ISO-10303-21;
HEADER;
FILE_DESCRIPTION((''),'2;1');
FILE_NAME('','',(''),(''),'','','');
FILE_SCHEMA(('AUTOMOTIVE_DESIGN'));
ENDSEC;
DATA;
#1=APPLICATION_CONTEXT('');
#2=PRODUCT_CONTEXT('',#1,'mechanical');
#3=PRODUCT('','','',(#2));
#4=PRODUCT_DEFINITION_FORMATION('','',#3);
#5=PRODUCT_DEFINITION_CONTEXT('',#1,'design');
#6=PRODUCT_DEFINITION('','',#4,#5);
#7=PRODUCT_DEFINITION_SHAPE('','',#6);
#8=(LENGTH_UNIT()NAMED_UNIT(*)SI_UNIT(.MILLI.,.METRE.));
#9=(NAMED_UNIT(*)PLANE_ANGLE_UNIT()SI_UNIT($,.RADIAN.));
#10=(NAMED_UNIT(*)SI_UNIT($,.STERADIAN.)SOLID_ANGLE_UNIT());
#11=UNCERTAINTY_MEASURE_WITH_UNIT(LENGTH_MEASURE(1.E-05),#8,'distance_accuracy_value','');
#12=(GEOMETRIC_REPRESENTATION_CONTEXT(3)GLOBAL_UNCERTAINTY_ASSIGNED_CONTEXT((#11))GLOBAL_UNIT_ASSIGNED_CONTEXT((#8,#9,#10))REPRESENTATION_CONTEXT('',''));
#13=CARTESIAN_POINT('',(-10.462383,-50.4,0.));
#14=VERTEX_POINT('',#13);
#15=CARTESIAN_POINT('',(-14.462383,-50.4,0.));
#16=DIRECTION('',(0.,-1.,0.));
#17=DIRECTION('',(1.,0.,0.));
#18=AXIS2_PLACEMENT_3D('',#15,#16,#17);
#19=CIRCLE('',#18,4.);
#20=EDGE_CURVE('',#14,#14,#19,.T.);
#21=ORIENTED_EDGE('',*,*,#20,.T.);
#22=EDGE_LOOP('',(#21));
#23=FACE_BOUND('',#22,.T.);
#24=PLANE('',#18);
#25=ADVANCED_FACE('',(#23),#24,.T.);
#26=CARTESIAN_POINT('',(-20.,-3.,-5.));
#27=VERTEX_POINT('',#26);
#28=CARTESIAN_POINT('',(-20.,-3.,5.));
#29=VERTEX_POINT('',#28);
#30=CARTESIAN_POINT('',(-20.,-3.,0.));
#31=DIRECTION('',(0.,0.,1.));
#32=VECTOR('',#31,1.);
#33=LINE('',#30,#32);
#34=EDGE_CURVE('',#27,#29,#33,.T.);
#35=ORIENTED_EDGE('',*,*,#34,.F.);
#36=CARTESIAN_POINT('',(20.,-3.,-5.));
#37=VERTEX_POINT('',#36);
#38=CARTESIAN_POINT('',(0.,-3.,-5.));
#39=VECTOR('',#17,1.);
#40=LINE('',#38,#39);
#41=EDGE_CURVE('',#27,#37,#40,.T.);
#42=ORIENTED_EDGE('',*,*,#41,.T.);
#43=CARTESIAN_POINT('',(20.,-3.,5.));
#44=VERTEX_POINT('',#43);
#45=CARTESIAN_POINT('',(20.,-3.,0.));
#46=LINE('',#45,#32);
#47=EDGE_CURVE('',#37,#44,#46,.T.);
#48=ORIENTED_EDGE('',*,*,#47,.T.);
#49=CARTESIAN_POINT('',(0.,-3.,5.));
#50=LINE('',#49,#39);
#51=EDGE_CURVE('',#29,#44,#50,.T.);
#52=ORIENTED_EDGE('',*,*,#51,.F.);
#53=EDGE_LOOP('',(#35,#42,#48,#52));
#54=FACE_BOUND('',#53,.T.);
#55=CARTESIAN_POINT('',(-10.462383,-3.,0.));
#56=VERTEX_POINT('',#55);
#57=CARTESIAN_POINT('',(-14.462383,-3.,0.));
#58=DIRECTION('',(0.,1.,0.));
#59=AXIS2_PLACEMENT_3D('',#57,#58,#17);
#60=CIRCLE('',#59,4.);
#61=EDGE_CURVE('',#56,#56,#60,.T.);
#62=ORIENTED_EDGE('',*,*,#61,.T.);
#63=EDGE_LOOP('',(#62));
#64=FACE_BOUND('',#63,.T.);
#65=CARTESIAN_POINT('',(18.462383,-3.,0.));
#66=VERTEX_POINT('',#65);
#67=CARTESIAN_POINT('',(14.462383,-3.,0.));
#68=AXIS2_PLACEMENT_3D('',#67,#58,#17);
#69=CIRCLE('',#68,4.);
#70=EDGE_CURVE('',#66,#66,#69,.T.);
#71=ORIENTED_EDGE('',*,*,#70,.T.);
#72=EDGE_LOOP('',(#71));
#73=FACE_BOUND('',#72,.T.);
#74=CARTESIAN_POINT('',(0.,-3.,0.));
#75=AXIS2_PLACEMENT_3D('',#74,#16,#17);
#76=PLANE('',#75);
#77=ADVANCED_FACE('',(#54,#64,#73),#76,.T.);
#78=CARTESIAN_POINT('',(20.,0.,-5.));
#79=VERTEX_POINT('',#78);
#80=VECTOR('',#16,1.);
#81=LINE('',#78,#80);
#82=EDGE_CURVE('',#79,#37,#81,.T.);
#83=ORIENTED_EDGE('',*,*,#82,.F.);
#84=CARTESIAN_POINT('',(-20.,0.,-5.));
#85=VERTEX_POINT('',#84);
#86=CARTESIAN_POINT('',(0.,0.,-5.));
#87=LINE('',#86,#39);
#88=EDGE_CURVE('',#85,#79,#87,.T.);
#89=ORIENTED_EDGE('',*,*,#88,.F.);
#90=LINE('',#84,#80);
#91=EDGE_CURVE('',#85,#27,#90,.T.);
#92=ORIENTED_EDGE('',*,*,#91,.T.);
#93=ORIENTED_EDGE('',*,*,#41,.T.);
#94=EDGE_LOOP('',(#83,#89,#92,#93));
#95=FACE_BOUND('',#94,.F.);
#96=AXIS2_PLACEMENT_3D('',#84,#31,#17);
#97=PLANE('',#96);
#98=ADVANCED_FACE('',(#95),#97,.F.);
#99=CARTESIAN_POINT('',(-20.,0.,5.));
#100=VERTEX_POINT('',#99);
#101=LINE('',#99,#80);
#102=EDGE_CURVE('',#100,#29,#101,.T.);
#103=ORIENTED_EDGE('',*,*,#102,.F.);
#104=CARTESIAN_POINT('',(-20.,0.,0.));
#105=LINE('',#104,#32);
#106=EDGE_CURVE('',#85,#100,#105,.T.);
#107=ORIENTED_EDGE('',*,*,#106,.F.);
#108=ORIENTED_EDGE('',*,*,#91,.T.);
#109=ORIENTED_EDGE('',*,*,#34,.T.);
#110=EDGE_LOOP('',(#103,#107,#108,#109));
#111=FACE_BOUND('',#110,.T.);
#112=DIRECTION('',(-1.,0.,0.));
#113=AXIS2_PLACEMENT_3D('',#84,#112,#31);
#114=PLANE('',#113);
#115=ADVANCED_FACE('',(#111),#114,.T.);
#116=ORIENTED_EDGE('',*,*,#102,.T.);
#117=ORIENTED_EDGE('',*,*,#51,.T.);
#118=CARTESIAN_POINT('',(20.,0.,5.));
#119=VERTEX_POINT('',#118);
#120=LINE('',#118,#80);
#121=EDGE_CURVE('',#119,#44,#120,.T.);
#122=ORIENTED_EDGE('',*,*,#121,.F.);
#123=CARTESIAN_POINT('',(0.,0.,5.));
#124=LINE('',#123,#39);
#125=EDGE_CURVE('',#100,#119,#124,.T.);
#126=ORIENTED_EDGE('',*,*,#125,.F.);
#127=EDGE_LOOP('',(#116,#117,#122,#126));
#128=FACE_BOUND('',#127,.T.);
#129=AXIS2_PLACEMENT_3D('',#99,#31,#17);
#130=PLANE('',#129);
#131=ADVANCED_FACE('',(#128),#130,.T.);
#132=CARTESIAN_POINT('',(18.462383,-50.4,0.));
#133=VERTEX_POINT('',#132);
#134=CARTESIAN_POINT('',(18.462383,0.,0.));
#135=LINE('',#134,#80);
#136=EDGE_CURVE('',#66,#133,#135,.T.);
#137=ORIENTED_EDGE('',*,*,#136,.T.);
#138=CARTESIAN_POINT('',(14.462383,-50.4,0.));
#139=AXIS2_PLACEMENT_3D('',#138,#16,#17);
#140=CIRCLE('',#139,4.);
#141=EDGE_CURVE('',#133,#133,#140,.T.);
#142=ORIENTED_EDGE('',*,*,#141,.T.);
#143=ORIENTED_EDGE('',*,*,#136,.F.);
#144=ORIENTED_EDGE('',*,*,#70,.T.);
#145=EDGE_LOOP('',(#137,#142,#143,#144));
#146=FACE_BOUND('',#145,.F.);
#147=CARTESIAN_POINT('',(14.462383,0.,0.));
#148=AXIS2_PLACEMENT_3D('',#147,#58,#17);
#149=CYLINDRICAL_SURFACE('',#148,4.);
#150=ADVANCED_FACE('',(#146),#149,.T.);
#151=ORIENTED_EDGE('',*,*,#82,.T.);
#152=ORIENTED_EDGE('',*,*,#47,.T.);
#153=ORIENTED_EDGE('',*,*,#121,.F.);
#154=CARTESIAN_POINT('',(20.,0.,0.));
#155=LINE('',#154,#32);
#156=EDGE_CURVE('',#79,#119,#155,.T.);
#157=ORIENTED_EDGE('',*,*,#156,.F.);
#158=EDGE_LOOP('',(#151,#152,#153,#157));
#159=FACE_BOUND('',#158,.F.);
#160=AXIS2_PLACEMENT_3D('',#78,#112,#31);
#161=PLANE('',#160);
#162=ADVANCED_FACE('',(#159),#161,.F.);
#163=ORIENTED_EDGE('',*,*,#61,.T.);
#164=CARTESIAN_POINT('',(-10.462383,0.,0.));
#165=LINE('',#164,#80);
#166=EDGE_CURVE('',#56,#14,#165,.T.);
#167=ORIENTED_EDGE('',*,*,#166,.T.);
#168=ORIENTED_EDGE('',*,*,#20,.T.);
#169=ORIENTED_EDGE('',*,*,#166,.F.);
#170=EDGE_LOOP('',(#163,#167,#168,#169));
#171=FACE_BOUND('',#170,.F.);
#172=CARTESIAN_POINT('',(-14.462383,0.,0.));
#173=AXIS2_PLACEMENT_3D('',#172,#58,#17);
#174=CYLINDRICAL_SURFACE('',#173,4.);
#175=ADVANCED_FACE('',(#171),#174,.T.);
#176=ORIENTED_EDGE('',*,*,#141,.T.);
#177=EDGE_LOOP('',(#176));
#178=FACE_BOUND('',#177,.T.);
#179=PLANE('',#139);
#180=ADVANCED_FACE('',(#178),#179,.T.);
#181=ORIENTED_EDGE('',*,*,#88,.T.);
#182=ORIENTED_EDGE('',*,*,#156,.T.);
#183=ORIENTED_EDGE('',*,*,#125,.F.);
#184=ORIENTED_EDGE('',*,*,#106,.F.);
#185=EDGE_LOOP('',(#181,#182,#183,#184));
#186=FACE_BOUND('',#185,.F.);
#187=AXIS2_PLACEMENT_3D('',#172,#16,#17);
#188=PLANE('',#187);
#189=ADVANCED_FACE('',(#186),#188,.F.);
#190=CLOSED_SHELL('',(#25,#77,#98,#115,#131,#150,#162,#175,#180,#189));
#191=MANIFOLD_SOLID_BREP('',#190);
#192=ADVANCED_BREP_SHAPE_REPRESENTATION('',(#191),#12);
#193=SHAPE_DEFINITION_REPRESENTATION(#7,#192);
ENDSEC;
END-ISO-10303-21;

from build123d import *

# Parameters (mm, degrees)
F0_W     = 40
F0_H     = 10
F1_DEPTH = 3
F2_R     = 4
F3_DEPTH = 50.4


with BuildPart() as f1:
    # F0 (on Front) → F1 (new body)
    with BuildSketch(Plane.XZ):
        Rectangle(F0_W, F0_H)
    extrude(amount=F1_DEPTH)

    # F2 (on Front) → F3 (join)
    with BuildSketch(Plane.XZ):
        with Locations((-14.462383, 0)):
            Circle(F2_R)
        with Locations((14.462383, 0)):
            Circle(F2_R)
    extrude(amount=F3_DEPTH)


solid = f1.part
